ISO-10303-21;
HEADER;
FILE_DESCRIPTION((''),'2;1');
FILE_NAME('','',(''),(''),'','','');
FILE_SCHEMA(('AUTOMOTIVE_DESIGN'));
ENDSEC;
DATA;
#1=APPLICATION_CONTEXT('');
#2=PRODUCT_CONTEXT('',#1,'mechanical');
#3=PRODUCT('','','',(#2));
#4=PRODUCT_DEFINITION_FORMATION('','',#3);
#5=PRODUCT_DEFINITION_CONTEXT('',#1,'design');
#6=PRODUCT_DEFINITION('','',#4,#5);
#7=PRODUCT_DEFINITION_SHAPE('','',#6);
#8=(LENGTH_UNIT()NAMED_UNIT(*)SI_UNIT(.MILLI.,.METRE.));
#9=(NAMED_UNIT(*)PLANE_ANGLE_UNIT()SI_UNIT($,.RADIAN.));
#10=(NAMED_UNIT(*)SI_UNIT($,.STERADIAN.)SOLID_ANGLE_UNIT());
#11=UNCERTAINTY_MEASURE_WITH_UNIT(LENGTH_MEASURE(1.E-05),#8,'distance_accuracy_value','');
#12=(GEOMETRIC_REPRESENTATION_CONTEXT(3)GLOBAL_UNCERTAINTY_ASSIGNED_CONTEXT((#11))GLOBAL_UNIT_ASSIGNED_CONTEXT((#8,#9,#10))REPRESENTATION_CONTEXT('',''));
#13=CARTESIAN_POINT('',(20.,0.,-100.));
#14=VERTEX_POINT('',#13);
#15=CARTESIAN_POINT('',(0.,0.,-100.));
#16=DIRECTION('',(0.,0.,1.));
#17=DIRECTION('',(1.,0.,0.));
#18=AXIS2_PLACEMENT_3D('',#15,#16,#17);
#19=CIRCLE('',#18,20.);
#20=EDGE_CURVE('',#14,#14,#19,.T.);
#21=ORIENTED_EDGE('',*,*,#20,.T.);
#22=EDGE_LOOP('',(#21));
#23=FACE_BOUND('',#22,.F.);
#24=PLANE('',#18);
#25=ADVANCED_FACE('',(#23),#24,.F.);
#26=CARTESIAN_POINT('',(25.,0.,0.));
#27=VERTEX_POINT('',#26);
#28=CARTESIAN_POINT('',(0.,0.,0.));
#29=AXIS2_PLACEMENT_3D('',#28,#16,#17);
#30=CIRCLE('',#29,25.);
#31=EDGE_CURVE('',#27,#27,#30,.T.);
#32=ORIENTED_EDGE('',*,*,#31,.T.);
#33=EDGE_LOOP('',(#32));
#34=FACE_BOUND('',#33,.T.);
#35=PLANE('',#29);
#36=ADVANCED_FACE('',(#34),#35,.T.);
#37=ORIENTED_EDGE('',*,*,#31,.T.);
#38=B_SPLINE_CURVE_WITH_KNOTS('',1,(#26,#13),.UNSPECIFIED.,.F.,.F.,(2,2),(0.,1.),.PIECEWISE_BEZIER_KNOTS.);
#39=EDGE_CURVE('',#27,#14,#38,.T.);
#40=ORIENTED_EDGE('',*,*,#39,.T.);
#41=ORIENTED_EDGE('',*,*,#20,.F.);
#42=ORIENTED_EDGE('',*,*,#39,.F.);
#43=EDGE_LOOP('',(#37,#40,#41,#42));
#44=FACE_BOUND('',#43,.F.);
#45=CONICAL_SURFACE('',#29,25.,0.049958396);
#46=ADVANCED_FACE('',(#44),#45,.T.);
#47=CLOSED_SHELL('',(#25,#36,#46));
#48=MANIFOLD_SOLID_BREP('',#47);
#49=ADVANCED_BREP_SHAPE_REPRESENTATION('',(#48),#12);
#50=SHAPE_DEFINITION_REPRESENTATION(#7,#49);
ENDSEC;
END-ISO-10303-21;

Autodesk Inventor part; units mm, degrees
ref_plane "YZ Plane" through (0, 0, 0) normal (1, 0, 0) x (0, 1, 0)
ref_plane "XZ Plane" through (0, 0, 0) normal (0, 1, 0) x (-1, 0, 0)
sketch "Sketch1" plane through (0, 0, 0) normal (0, 0, 1) x (1, 0, 0)
  circle A0 centre (0, 0) radius 25
  dimension "d0" = 50
ref_plane "Work Plane1" through (0, 0, -100) normal (0, 0, 1) x (1, 0, 0)
sketch "Sketch2" plane through (0, 0, 0) normal (0, 0, 1) x (1, 0, 0)
  point P0 (0, 0)
sketch "Sketch3" plane through (0, 0, -100) normal (0, 0, 1) x (1, 0, 0)
  circle A0 centre (0, 0) radius 20
  dimension "d3" = 40
loft "Loft1" add profiles "Sketch1", "Sketch3"
properties part number "Loft"
